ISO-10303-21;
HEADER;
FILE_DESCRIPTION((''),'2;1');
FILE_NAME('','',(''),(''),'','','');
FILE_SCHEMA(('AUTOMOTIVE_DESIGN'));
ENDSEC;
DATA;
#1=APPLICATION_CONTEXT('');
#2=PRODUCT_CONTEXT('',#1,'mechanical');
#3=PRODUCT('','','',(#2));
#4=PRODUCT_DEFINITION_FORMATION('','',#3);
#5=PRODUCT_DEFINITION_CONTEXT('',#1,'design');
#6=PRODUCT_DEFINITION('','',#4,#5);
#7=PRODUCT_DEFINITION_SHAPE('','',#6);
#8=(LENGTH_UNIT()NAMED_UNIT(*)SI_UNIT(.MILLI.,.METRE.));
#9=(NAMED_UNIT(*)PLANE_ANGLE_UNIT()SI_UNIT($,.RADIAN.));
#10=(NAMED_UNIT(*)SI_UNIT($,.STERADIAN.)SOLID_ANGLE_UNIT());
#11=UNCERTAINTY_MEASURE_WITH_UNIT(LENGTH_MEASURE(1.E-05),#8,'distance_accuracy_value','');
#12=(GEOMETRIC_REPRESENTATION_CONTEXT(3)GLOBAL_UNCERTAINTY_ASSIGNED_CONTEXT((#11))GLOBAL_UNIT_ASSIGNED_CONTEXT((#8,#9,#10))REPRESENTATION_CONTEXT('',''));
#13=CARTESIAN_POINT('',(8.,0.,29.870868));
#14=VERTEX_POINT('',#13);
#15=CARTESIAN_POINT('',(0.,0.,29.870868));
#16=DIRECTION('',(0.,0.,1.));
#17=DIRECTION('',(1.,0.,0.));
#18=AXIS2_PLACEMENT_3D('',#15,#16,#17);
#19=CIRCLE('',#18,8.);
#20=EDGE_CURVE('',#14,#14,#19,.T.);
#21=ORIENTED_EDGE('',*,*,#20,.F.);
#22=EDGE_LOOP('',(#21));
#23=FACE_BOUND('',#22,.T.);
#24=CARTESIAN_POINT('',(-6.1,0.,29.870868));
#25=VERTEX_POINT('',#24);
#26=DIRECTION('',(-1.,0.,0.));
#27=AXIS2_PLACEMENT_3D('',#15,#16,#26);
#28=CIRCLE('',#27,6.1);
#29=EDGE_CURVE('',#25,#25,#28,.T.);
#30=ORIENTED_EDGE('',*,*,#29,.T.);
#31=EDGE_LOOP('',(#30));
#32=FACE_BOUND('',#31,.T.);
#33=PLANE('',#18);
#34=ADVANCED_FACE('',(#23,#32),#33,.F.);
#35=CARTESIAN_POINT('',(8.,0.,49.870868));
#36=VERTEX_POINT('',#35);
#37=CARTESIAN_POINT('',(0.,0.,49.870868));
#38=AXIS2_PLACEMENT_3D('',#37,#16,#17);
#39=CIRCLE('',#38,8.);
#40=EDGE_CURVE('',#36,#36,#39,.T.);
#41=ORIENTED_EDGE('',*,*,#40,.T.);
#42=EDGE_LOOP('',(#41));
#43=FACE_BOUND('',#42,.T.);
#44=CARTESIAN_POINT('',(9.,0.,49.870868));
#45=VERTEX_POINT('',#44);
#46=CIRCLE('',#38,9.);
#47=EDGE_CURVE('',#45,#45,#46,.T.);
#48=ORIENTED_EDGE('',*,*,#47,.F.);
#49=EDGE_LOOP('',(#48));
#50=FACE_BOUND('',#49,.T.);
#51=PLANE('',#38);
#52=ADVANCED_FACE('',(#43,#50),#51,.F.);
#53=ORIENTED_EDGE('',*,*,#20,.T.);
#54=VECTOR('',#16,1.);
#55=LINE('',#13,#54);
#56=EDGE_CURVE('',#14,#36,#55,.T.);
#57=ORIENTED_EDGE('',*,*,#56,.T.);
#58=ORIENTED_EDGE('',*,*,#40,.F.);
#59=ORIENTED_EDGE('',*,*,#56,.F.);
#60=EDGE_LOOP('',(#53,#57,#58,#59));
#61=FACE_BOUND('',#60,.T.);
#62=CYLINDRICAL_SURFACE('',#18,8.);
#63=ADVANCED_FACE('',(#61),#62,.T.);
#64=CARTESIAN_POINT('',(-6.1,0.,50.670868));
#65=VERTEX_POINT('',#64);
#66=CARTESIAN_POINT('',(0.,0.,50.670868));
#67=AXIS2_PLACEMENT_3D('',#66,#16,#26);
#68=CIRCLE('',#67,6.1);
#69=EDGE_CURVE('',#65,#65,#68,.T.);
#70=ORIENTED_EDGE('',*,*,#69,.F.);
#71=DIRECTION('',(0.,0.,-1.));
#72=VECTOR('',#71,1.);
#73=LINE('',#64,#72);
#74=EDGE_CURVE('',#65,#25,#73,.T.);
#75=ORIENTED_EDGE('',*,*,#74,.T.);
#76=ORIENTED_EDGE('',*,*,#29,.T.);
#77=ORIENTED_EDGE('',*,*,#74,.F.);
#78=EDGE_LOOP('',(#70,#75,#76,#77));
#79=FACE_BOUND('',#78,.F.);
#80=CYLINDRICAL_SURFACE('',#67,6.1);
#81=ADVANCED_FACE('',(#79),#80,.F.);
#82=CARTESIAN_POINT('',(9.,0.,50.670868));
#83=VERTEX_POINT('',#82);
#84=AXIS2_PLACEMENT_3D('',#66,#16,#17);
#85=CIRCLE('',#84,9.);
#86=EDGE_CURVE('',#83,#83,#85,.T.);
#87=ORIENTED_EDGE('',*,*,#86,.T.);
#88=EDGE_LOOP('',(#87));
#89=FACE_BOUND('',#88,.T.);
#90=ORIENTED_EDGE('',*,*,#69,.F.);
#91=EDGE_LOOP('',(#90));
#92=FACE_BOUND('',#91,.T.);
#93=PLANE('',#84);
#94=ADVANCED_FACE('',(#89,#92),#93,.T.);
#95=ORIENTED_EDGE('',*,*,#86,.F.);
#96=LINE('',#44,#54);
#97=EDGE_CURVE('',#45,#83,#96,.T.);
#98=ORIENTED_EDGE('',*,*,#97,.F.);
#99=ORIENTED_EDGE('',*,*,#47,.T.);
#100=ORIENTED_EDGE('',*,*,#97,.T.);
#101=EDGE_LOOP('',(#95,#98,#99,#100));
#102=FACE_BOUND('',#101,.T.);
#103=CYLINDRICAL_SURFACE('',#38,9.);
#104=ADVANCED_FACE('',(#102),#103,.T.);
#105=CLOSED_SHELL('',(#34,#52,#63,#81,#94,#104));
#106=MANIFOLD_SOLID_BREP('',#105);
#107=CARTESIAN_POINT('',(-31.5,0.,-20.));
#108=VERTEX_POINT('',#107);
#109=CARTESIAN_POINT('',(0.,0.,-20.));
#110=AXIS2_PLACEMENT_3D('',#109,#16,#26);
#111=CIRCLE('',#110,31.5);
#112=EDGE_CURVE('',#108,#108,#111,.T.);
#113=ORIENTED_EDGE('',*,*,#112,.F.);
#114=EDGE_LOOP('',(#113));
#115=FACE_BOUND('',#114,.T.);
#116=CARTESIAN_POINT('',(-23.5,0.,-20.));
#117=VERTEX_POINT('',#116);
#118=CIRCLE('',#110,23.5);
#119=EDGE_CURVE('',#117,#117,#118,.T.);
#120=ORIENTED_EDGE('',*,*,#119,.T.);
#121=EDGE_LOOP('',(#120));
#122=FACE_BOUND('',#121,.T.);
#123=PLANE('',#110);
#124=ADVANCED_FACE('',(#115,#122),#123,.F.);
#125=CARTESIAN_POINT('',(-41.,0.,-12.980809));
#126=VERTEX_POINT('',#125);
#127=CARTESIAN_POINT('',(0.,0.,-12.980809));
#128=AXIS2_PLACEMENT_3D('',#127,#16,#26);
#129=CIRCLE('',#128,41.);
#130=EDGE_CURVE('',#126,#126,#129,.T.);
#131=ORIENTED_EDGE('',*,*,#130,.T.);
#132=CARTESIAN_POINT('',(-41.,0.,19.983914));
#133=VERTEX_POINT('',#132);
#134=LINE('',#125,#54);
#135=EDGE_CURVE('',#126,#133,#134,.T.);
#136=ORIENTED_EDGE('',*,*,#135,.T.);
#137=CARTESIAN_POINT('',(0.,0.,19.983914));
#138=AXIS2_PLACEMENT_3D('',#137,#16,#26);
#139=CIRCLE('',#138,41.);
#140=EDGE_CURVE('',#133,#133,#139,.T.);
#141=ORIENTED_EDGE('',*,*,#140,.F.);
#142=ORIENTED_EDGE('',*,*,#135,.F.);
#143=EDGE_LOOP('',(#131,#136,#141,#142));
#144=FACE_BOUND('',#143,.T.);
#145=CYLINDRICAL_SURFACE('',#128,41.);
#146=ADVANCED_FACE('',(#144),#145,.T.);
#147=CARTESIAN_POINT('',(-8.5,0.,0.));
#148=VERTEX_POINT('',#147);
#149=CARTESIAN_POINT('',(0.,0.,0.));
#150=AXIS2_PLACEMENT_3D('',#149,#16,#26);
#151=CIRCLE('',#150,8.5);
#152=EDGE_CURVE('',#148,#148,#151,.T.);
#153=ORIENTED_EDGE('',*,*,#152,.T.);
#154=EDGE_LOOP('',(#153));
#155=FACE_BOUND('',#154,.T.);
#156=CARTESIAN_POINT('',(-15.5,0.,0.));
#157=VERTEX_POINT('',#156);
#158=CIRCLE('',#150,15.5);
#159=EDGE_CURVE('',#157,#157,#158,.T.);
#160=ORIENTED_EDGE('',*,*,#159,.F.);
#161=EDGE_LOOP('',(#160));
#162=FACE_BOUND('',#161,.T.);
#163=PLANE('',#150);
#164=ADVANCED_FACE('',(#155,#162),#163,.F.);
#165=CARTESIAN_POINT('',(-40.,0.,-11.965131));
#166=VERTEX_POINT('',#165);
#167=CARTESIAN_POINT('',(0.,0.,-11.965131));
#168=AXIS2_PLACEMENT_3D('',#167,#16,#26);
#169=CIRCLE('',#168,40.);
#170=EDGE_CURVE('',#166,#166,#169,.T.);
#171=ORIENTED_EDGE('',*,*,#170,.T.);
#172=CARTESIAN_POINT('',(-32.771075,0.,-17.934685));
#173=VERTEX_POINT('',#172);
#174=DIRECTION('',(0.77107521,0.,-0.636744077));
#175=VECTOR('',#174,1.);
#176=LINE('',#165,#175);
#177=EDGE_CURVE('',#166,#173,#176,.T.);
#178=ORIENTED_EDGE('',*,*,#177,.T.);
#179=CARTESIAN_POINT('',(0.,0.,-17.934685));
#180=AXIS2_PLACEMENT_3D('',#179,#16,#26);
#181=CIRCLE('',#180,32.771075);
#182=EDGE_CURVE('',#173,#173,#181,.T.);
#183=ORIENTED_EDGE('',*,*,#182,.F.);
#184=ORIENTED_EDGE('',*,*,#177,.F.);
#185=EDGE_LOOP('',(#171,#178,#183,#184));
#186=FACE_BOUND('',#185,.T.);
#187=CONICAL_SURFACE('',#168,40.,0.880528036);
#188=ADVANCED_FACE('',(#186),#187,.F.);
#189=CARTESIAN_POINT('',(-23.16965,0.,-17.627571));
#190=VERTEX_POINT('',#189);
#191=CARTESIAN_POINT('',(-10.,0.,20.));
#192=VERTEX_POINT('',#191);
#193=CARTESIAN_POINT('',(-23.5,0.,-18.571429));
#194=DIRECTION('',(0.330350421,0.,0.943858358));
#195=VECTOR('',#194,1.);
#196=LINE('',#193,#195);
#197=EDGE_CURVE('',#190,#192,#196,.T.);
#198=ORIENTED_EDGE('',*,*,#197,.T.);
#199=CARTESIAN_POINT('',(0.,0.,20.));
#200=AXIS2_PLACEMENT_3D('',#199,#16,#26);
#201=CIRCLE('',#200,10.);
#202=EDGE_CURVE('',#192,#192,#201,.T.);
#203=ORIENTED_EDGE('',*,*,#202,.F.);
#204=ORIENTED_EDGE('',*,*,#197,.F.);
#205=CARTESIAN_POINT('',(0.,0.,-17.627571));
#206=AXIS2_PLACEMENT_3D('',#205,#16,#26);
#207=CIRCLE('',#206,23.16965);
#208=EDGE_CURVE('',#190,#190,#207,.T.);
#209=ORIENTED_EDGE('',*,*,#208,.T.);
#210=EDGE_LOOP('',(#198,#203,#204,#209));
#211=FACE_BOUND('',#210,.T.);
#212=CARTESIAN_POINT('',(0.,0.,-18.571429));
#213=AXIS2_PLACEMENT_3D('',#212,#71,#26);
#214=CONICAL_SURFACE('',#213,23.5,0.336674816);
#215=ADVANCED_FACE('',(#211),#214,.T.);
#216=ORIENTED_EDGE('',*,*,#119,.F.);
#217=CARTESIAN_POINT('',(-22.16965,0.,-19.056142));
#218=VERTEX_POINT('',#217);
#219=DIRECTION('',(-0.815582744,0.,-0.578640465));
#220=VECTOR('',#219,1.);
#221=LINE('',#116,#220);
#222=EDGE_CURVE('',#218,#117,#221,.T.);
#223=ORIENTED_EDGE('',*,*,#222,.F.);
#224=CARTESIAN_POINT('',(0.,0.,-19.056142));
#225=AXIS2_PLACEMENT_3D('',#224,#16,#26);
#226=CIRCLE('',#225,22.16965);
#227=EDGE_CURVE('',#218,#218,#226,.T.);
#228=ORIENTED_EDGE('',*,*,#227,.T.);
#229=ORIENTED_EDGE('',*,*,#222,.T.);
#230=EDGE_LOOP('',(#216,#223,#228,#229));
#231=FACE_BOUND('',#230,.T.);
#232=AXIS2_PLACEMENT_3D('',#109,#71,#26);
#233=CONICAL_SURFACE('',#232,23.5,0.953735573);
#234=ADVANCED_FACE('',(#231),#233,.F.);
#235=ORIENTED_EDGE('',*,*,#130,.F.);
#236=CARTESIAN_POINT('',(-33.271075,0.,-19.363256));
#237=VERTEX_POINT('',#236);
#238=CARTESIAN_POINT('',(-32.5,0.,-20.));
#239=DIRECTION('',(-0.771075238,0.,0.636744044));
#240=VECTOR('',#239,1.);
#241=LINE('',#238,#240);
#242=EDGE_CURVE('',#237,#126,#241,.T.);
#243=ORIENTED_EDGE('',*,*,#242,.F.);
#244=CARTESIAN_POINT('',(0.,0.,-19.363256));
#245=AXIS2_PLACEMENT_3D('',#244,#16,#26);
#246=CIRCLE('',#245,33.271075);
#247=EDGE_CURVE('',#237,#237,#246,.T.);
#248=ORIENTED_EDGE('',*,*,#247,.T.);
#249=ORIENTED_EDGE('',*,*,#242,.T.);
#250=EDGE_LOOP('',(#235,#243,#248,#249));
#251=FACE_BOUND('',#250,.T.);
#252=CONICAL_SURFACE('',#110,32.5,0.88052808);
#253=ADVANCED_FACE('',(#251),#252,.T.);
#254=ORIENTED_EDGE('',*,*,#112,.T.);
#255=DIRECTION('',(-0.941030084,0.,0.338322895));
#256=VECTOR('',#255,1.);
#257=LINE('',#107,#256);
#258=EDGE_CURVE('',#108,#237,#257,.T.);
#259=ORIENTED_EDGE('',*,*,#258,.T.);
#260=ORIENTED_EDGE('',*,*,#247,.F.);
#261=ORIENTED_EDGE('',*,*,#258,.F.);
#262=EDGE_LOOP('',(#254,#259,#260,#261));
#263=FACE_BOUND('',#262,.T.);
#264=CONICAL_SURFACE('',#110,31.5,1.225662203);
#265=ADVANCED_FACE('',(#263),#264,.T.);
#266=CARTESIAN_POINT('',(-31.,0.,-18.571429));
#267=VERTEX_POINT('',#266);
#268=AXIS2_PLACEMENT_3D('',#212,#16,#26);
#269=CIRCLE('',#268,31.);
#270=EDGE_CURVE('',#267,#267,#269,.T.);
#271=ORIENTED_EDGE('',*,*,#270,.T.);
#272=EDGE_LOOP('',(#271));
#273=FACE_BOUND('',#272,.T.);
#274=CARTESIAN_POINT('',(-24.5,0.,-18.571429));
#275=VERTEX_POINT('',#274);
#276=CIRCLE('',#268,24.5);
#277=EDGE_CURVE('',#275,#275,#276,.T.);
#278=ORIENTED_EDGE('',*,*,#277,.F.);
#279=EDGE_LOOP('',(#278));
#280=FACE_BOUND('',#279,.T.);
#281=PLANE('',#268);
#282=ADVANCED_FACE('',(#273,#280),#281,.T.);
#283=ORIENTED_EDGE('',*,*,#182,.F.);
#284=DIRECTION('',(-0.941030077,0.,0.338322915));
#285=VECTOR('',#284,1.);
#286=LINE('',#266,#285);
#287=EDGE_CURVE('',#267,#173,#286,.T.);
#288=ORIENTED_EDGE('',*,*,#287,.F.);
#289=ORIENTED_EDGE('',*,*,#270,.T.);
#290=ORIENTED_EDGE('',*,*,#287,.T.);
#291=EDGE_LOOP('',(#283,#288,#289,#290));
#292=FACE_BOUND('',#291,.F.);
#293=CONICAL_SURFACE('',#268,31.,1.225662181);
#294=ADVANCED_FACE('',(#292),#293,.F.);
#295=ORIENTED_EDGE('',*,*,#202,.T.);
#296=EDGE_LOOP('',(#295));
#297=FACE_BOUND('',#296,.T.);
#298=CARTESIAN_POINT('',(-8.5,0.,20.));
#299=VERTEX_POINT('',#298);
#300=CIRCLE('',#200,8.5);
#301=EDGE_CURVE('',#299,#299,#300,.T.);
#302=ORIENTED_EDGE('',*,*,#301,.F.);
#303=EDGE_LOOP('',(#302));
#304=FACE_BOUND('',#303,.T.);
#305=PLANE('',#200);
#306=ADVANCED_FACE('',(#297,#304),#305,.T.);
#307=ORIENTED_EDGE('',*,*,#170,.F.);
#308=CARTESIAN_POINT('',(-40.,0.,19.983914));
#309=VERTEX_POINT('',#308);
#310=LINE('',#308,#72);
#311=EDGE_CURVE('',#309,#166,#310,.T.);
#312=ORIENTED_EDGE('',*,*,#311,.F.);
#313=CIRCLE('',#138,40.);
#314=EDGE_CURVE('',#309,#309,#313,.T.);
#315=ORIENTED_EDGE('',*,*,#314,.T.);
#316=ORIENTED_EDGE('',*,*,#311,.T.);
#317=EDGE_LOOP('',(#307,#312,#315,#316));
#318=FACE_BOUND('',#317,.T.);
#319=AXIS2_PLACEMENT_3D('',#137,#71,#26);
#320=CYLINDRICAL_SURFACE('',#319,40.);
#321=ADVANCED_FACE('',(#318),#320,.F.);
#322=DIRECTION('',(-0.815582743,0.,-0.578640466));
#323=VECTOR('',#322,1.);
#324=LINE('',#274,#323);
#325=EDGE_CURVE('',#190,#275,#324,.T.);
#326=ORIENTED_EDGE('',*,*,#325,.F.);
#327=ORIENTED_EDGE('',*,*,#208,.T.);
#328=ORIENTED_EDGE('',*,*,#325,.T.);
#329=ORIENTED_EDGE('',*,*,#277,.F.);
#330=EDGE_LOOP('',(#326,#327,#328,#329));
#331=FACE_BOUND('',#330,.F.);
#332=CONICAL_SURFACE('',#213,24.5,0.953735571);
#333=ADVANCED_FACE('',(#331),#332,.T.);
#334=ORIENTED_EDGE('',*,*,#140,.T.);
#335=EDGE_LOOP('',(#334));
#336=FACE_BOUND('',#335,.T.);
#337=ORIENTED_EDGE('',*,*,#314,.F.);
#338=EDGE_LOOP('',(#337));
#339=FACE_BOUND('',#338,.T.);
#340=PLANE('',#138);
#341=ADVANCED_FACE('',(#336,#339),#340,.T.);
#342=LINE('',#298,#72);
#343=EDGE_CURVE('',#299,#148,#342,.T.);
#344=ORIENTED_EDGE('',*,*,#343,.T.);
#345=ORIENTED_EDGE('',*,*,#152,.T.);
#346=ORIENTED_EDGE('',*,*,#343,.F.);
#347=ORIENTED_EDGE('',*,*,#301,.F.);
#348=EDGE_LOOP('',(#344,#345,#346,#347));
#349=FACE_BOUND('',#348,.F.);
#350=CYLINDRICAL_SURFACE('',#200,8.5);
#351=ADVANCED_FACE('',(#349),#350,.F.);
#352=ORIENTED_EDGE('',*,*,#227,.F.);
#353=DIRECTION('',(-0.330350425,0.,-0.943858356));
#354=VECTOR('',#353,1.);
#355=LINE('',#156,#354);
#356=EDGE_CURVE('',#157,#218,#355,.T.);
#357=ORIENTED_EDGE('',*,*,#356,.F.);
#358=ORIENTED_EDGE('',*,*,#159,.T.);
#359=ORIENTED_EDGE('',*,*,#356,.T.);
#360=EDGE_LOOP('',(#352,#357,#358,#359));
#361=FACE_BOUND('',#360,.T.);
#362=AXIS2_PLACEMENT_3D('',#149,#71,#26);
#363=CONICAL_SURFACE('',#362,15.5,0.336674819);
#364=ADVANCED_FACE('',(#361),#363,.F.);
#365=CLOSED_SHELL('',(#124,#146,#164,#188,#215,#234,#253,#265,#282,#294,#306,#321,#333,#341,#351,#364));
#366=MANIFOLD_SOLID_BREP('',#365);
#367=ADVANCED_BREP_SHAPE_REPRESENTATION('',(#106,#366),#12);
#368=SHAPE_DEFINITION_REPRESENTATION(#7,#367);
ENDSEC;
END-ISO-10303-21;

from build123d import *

# Parameters (mm, degrees)
SKETCH001_R     = 8.5
POCKET_DEPTH    = 40.001
CHAMFER_SIZE    = 1
CHAMFER001_SIZE = 1
SKETCH003_R     = 6.1
POCKET001_DEPTH = 20.801


with BuildPart() as miska:
    # Sketch → Revolution (revolve)
    with BuildSketch(Plane.XZ):
        Polygon((0, 0), (-15.5, 0), (-22.5, -20), (-32.5, -20), (-41, -12.980809), (-41, 19.983914), (-40, 19.983914), (-40, -11.965131), (-32, -18.571429), (-23.5, -18.571429), (-10, 20), (0, 20), align=None)
    revolve(axis=Axis((0, 0, 0), (0, 0, 1)))

    # Sketch001 (on Face4 of Revolution) → Pocket (cut, through all)
    with BuildSketch(Plane(origin=(0, 0, 20), x_dir=(-1, 0, 0), z_dir=(0, 0, 1))):
        Circle(SKETCH001_R)
    extrude(amount=-POCKET_DEPTH, mode=Mode.SUBTRACT)

    # Chamfer
    chamfer_edges = [miska.edges().sort_by_distance(p)[0] for p in [
        (22.5, 0, -20),
        (32.5, 0, -20),
    ]]
    chamfer(chamfer_edges, length=CHAMFER_SIZE)

    # Chamfer001
    chamfer001_edges = [miska.edges().sort_by_distance(p)[0] for p in [
        (32, 0, -18.571429),
        (23.5, 0, -18.571429),
    ]]
    chamfer(chamfer001_edges, length=CHAMFER001_SIZE)


with BuildPart() as podlo_ka:
    # Sketch002 → Revolution001 (revolve)
    with BuildSketch(Plane.XZ):
        Polygon((0, 29.870868), (8, 29.870868), (8, 49.870868), (9, 49.870868), (9, 50.670868), (0, 50.670868), align=None)
    revolve(axis=Axis((0, 0, 0), (0, 0, 1)))

    # Sketch003 (on Face5 of Revolution001) → Pocket001 (cut, through all)
    with BuildSketch(Plane(origin=(0, 0, 50.670868), x_dir=(-1, 0, 0), z_dir=(0, 0, 1))):
        Circle(SKETCH003_R)
    extrude(amount=-POCKET001_DEPTH, mode=Mode.SUBTRACT)


solid = Compound([miska.part, podlo_ka.part])
